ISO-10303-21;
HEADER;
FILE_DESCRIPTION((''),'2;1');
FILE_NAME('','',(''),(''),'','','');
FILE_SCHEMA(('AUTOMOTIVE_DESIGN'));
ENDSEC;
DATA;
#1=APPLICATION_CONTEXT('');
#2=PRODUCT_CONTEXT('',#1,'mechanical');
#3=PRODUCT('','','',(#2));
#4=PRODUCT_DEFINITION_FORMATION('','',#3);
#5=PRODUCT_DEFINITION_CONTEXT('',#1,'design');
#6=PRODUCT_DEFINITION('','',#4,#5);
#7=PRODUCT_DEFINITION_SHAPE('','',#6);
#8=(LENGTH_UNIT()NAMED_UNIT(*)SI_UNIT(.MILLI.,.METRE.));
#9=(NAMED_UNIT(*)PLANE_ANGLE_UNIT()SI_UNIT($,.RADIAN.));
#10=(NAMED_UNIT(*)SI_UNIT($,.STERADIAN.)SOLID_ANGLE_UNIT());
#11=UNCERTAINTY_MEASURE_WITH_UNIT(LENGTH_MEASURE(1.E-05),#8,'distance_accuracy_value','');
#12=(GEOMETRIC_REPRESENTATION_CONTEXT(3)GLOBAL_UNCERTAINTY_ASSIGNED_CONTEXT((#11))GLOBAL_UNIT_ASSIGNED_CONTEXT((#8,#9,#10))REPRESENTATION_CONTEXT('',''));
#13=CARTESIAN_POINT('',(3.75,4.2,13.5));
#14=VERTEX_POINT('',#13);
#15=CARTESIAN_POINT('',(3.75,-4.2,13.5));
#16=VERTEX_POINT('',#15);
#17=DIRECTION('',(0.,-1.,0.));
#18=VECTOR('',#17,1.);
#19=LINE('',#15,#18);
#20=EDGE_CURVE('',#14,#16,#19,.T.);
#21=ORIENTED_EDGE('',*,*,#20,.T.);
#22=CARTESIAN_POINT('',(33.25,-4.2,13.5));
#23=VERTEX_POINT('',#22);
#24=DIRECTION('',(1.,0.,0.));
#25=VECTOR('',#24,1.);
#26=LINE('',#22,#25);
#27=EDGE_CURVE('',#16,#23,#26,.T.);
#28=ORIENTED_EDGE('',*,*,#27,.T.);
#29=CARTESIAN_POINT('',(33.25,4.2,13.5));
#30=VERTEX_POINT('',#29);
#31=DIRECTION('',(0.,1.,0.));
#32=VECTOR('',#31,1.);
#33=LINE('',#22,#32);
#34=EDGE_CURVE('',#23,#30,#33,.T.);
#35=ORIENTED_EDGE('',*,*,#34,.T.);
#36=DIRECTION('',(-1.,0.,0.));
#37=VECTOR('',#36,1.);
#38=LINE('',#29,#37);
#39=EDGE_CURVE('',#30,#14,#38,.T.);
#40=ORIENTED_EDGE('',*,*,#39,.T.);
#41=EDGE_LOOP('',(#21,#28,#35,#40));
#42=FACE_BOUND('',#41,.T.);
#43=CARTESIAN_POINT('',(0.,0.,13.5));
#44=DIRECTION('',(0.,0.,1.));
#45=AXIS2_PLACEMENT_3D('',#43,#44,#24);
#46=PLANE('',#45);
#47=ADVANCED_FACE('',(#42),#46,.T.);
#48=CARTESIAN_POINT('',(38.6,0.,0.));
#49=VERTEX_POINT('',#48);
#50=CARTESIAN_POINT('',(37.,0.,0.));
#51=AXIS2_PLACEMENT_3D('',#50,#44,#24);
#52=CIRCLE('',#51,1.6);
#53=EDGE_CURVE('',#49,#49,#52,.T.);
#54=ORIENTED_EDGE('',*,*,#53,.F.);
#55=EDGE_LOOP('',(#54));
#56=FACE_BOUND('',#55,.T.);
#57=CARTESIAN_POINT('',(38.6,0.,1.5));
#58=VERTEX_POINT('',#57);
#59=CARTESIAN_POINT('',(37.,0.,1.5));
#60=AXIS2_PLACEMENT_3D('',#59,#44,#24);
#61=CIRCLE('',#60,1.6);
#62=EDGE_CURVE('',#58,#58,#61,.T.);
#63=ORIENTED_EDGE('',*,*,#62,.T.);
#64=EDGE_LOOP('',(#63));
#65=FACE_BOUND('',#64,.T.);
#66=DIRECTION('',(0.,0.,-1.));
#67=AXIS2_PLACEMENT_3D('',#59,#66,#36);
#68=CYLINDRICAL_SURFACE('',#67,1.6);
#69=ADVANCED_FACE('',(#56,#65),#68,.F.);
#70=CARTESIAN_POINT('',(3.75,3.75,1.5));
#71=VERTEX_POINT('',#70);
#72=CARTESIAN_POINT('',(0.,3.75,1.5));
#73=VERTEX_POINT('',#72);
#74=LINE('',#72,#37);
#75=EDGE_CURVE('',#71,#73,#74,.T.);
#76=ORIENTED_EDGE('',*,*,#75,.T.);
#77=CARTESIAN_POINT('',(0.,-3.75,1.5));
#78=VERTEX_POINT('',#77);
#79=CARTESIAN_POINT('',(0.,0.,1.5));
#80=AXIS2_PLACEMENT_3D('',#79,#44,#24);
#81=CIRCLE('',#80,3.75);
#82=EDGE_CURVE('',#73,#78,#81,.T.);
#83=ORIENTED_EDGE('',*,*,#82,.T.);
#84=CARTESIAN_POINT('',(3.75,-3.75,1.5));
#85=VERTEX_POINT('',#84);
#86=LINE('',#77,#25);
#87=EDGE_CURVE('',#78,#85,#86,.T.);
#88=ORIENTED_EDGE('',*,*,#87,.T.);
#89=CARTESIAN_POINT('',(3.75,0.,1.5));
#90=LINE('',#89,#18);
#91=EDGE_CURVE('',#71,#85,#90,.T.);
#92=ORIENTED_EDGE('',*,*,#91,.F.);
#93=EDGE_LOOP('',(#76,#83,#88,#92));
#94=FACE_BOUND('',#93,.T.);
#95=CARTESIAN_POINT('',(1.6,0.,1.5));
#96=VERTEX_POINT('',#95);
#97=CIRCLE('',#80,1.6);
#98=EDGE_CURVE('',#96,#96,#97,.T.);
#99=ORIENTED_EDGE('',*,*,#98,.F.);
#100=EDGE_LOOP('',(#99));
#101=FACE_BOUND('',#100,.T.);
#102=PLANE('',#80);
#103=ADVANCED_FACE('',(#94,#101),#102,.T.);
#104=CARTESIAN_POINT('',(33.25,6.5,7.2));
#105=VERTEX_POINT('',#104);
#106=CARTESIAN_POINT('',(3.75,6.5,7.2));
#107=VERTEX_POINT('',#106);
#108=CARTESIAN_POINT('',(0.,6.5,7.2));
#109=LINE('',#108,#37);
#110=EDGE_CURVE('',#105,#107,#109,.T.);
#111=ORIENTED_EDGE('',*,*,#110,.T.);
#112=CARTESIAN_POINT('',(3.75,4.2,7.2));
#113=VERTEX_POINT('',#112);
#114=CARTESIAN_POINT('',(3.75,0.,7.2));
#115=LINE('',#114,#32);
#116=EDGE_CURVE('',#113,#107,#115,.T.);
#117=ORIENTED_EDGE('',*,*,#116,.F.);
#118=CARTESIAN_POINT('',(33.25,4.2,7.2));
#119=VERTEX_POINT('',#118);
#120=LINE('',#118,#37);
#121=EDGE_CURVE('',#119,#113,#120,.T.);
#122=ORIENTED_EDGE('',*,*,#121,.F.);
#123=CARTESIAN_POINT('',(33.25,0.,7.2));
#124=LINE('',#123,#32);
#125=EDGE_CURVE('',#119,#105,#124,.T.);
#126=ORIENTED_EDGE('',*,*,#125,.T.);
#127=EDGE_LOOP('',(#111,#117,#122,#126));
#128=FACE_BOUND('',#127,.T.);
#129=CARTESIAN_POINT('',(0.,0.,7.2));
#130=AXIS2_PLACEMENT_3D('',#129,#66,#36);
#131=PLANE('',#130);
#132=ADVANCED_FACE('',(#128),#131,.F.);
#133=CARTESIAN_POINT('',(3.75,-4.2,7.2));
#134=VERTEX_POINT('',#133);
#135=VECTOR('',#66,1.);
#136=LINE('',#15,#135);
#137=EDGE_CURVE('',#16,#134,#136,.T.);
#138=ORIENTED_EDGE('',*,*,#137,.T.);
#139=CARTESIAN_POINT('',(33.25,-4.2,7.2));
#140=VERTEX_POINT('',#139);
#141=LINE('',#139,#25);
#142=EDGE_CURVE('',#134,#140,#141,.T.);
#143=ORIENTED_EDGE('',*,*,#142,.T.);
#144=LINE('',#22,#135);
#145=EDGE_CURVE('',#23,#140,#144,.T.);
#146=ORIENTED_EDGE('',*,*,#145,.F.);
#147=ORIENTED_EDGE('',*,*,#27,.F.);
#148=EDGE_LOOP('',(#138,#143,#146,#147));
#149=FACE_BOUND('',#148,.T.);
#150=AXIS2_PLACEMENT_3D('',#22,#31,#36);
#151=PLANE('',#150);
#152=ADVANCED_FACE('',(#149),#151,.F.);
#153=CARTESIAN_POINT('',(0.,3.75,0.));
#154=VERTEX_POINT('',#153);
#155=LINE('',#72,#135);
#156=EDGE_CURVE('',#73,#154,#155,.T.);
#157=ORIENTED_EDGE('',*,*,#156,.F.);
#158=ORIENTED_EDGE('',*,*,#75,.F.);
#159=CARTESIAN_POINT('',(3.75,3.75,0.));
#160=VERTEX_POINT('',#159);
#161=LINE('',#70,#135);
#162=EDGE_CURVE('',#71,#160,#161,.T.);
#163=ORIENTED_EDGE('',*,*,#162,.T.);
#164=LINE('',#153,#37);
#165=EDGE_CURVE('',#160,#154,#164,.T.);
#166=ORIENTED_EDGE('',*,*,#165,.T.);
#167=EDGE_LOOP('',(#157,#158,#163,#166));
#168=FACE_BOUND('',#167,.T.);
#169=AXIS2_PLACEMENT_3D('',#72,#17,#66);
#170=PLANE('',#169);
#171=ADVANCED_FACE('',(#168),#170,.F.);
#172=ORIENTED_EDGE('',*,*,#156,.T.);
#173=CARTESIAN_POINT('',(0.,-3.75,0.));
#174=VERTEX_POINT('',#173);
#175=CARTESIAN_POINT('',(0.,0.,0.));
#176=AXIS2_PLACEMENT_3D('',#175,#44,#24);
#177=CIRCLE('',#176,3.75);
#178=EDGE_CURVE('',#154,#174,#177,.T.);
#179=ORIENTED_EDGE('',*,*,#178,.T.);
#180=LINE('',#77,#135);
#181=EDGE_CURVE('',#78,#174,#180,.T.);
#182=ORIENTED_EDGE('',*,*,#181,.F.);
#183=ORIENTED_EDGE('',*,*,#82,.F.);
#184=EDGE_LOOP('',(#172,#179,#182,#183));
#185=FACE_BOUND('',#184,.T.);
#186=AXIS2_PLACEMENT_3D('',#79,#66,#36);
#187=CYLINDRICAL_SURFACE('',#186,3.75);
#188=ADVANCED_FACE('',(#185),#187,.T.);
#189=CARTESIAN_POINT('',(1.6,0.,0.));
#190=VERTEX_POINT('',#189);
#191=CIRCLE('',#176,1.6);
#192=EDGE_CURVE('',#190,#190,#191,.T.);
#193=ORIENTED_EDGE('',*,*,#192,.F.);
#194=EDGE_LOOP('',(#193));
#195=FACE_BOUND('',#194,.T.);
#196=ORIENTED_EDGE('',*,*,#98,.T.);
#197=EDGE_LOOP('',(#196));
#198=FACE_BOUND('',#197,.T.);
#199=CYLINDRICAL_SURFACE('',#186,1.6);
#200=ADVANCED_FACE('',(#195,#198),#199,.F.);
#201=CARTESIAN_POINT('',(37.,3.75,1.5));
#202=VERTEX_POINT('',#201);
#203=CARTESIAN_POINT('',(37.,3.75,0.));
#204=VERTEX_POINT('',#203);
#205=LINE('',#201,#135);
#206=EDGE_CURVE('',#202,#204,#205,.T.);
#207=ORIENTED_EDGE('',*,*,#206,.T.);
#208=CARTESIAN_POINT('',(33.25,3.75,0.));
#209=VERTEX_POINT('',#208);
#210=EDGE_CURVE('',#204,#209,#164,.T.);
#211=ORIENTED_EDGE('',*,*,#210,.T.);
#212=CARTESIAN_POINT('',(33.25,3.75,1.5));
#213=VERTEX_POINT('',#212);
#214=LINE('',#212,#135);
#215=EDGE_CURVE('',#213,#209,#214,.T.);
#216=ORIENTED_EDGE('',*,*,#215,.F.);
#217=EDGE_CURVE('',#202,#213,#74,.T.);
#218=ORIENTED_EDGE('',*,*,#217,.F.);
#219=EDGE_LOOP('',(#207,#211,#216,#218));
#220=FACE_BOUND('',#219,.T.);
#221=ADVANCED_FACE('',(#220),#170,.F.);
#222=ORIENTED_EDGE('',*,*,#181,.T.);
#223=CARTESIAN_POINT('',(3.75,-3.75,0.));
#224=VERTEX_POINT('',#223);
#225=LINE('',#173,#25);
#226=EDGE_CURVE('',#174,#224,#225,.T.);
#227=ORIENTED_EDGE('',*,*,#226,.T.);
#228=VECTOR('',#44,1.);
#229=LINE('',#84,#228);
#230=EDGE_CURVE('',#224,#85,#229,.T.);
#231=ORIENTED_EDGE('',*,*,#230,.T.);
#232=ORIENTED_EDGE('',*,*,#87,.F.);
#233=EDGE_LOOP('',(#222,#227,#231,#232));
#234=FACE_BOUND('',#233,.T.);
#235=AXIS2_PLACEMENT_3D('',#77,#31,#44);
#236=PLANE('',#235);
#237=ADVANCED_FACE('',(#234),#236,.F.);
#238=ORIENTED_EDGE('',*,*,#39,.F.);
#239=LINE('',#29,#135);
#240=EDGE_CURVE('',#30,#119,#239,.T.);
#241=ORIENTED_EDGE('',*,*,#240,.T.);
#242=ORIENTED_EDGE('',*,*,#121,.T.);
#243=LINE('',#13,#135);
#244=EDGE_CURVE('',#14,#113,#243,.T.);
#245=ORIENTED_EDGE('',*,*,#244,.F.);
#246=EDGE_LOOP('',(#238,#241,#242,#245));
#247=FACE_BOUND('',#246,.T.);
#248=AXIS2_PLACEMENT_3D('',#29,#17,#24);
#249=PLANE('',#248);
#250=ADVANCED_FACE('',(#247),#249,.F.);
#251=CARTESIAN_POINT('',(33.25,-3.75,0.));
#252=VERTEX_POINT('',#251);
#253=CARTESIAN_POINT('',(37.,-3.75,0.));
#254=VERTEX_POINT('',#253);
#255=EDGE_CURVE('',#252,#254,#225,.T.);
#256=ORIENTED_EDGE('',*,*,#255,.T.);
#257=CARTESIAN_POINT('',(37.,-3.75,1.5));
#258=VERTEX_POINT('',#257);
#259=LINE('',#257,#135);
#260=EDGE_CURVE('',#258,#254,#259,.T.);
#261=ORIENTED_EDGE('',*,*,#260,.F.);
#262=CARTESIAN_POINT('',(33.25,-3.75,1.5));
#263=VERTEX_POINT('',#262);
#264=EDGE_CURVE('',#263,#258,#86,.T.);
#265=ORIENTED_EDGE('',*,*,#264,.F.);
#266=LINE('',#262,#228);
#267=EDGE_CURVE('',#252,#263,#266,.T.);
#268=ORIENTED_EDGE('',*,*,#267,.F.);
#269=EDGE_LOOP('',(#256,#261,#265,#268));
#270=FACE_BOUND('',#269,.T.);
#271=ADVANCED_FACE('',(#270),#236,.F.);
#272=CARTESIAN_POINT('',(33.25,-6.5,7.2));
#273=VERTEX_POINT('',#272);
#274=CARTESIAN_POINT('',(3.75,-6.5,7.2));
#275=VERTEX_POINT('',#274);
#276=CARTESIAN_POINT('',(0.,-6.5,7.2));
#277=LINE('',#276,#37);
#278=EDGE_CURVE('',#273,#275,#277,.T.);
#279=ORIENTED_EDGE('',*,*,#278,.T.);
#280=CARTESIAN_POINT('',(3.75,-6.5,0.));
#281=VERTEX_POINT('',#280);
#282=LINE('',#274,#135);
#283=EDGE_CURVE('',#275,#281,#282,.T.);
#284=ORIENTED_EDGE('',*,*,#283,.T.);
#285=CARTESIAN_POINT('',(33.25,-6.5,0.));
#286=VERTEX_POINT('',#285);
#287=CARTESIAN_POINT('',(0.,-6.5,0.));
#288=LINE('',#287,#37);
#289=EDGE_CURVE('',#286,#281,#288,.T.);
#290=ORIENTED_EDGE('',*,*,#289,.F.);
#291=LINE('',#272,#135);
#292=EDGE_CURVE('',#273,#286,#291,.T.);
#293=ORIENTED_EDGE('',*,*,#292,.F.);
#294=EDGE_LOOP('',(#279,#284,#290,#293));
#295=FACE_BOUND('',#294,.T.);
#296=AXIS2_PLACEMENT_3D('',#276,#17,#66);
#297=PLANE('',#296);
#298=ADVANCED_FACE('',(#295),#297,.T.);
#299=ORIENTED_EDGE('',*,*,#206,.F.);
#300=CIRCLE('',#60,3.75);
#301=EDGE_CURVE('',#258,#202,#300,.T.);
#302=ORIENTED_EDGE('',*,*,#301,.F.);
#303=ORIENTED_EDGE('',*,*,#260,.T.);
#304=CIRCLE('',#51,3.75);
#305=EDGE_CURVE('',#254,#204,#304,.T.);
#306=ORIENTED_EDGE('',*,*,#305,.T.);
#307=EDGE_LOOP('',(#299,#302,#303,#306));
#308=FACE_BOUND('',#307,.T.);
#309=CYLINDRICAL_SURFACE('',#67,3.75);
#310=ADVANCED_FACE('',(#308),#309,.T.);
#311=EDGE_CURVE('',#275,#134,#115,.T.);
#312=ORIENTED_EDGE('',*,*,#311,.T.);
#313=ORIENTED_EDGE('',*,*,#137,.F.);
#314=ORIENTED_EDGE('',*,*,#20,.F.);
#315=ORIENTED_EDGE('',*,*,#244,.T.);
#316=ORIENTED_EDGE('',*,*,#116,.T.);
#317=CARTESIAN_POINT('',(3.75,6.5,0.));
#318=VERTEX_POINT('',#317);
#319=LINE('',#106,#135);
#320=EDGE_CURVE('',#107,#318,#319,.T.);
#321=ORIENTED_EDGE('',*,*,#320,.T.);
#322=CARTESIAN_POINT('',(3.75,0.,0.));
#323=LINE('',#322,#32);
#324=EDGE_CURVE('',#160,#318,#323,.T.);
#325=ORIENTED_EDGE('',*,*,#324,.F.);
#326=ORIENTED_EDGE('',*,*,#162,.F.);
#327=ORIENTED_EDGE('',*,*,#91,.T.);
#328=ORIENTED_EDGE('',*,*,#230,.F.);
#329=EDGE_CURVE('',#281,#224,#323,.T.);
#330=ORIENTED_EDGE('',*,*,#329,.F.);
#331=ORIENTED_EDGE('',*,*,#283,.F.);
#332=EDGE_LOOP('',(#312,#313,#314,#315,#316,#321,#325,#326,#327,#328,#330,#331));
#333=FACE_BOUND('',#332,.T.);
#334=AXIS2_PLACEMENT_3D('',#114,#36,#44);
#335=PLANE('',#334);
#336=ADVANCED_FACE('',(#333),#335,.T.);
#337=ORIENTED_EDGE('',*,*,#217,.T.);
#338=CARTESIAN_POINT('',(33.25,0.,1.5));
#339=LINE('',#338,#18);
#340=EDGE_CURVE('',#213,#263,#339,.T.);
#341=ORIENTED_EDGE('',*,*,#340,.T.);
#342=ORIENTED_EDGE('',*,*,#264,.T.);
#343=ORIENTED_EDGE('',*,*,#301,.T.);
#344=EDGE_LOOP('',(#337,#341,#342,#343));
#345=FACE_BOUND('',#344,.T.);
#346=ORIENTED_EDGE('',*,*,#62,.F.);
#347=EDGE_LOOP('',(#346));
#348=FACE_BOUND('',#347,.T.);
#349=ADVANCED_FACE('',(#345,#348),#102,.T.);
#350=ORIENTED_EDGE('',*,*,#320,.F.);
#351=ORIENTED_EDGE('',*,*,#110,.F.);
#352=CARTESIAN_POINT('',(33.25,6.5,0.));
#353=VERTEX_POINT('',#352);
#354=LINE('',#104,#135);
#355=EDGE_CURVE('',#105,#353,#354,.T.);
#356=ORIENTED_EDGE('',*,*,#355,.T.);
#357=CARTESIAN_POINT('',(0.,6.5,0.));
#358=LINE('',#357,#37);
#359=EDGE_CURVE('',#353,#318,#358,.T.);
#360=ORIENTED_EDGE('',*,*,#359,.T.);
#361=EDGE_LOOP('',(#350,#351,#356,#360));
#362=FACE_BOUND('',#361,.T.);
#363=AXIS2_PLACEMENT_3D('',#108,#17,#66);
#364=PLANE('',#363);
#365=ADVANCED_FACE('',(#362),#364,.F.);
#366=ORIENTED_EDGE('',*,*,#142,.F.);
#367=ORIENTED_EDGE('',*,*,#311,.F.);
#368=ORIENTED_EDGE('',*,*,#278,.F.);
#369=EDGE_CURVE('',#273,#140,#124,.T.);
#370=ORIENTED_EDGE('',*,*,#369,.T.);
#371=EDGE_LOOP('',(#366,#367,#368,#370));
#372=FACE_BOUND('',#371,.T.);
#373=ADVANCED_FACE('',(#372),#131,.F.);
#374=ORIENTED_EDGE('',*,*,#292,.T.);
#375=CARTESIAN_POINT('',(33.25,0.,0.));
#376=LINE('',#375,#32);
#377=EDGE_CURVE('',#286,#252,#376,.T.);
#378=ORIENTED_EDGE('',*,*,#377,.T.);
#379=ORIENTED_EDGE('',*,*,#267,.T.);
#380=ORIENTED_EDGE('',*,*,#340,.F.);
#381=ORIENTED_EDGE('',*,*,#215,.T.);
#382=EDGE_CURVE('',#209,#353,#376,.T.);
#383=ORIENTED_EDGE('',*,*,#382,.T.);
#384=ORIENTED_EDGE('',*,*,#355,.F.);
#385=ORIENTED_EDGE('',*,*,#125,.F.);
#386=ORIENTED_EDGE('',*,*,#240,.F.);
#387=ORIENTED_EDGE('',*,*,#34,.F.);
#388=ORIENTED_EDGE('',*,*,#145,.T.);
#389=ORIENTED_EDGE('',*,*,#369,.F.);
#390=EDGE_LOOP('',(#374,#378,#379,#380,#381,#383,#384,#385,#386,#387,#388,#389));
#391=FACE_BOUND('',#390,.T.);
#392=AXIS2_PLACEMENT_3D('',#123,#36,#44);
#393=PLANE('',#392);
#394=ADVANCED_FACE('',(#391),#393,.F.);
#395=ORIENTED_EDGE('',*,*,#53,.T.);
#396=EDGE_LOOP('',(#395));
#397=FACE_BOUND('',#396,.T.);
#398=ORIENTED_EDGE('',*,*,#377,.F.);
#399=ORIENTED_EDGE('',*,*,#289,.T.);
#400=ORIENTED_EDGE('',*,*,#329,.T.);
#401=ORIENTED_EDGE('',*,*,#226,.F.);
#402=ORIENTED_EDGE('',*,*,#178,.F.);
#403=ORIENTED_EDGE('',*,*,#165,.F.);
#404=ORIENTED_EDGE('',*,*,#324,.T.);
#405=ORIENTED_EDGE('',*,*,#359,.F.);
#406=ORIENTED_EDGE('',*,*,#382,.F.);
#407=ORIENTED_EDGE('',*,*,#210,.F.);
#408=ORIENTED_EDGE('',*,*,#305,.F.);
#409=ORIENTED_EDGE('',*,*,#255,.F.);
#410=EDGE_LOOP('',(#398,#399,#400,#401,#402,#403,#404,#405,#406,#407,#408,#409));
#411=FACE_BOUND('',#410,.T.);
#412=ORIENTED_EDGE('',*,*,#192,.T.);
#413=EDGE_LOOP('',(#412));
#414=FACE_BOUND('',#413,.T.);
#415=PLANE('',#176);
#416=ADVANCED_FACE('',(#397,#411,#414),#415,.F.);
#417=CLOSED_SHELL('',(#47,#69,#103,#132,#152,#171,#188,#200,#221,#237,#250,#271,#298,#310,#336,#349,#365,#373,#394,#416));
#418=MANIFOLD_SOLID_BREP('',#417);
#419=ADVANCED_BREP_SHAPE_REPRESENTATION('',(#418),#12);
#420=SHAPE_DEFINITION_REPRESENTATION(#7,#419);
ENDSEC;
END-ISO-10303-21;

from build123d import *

# Parameters (mm, degrees)
SKETCH_1_R      = 1.6
EXTRUDE_1_DEPTH = 1.5
SKETCH_2_W      = 29.5
SKETCH_2_H      = 3.75
SKETCH_2_H_2    = 2.75
EXTRUDE_2_DEPTH = 7.2
SKETCH_3_W      = 29.5
SKETCH_3_H      = 8.4
EXTRUDE_3_DEPTH = 6.3


with BuildPart() as part:
    # ｽｹｯﾁ1 → ﾎﾞｽ - 押し出し1 (new body)
    with BuildSketch(Plane.XY):
        with BuildLine():
            Line((0, 3.75), (37, 3.75))
            ThreePointArc((37, 3.75), (40.75, 0), (37, -3.75))
            Line((37, -3.75), (0, -3.75))
            ThreePointArc((0, -3.75), (-3.75, 0), (0, 3.75))
        make_face()
        Circle(SKETCH_1_R, mode=Mode.SUBTRACT)
        with Locations((37, 0)):
            Circle(SKETCH_1_R, mode=Mode.SUBTRACT)
    extrude(amount=EXTRUDE_1_DEPTH)

    # ｽｹｯﾁ2 → ﾎﾞｽ - 押し出し2 (add)
    with BuildSketch(Plane(origin=(0, 0, 0), x_dir=(-1, 0, 0), z_dir=(0, 0, -1))):
        with Locations((-18.5, -1.875)):
            Rectangle(SKETCH_2_W, SKETCH_2_H)
        with Locations((-18.5, 1.875)):
            Rectangle(SKETCH_2_W, SKETCH_2_H)
        with Locations((-18.5, 5.125)):
            Rectangle(SKETCH_2_W, SKETCH_2_H_2)
        with Locations((-18.5, -5.125)):
            Rectangle(SKETCH_2_W, SKETCH_2_H_2)
    extrude(amount=-EXTRUDE_2_DEPTH)

    # ｽｹｯﾁ3 → ﾎﾞｽ - 押し出し3 (add)
    with BuildSketch(Plane.XY.offset(7.2)):
        with Locations((18.5, 0)):
            Rectangle(SKETCH_3_W, SKETCH_3_H)
    extrude(amount=EXTRUDE_3_DEPTH)


solid = part.part
